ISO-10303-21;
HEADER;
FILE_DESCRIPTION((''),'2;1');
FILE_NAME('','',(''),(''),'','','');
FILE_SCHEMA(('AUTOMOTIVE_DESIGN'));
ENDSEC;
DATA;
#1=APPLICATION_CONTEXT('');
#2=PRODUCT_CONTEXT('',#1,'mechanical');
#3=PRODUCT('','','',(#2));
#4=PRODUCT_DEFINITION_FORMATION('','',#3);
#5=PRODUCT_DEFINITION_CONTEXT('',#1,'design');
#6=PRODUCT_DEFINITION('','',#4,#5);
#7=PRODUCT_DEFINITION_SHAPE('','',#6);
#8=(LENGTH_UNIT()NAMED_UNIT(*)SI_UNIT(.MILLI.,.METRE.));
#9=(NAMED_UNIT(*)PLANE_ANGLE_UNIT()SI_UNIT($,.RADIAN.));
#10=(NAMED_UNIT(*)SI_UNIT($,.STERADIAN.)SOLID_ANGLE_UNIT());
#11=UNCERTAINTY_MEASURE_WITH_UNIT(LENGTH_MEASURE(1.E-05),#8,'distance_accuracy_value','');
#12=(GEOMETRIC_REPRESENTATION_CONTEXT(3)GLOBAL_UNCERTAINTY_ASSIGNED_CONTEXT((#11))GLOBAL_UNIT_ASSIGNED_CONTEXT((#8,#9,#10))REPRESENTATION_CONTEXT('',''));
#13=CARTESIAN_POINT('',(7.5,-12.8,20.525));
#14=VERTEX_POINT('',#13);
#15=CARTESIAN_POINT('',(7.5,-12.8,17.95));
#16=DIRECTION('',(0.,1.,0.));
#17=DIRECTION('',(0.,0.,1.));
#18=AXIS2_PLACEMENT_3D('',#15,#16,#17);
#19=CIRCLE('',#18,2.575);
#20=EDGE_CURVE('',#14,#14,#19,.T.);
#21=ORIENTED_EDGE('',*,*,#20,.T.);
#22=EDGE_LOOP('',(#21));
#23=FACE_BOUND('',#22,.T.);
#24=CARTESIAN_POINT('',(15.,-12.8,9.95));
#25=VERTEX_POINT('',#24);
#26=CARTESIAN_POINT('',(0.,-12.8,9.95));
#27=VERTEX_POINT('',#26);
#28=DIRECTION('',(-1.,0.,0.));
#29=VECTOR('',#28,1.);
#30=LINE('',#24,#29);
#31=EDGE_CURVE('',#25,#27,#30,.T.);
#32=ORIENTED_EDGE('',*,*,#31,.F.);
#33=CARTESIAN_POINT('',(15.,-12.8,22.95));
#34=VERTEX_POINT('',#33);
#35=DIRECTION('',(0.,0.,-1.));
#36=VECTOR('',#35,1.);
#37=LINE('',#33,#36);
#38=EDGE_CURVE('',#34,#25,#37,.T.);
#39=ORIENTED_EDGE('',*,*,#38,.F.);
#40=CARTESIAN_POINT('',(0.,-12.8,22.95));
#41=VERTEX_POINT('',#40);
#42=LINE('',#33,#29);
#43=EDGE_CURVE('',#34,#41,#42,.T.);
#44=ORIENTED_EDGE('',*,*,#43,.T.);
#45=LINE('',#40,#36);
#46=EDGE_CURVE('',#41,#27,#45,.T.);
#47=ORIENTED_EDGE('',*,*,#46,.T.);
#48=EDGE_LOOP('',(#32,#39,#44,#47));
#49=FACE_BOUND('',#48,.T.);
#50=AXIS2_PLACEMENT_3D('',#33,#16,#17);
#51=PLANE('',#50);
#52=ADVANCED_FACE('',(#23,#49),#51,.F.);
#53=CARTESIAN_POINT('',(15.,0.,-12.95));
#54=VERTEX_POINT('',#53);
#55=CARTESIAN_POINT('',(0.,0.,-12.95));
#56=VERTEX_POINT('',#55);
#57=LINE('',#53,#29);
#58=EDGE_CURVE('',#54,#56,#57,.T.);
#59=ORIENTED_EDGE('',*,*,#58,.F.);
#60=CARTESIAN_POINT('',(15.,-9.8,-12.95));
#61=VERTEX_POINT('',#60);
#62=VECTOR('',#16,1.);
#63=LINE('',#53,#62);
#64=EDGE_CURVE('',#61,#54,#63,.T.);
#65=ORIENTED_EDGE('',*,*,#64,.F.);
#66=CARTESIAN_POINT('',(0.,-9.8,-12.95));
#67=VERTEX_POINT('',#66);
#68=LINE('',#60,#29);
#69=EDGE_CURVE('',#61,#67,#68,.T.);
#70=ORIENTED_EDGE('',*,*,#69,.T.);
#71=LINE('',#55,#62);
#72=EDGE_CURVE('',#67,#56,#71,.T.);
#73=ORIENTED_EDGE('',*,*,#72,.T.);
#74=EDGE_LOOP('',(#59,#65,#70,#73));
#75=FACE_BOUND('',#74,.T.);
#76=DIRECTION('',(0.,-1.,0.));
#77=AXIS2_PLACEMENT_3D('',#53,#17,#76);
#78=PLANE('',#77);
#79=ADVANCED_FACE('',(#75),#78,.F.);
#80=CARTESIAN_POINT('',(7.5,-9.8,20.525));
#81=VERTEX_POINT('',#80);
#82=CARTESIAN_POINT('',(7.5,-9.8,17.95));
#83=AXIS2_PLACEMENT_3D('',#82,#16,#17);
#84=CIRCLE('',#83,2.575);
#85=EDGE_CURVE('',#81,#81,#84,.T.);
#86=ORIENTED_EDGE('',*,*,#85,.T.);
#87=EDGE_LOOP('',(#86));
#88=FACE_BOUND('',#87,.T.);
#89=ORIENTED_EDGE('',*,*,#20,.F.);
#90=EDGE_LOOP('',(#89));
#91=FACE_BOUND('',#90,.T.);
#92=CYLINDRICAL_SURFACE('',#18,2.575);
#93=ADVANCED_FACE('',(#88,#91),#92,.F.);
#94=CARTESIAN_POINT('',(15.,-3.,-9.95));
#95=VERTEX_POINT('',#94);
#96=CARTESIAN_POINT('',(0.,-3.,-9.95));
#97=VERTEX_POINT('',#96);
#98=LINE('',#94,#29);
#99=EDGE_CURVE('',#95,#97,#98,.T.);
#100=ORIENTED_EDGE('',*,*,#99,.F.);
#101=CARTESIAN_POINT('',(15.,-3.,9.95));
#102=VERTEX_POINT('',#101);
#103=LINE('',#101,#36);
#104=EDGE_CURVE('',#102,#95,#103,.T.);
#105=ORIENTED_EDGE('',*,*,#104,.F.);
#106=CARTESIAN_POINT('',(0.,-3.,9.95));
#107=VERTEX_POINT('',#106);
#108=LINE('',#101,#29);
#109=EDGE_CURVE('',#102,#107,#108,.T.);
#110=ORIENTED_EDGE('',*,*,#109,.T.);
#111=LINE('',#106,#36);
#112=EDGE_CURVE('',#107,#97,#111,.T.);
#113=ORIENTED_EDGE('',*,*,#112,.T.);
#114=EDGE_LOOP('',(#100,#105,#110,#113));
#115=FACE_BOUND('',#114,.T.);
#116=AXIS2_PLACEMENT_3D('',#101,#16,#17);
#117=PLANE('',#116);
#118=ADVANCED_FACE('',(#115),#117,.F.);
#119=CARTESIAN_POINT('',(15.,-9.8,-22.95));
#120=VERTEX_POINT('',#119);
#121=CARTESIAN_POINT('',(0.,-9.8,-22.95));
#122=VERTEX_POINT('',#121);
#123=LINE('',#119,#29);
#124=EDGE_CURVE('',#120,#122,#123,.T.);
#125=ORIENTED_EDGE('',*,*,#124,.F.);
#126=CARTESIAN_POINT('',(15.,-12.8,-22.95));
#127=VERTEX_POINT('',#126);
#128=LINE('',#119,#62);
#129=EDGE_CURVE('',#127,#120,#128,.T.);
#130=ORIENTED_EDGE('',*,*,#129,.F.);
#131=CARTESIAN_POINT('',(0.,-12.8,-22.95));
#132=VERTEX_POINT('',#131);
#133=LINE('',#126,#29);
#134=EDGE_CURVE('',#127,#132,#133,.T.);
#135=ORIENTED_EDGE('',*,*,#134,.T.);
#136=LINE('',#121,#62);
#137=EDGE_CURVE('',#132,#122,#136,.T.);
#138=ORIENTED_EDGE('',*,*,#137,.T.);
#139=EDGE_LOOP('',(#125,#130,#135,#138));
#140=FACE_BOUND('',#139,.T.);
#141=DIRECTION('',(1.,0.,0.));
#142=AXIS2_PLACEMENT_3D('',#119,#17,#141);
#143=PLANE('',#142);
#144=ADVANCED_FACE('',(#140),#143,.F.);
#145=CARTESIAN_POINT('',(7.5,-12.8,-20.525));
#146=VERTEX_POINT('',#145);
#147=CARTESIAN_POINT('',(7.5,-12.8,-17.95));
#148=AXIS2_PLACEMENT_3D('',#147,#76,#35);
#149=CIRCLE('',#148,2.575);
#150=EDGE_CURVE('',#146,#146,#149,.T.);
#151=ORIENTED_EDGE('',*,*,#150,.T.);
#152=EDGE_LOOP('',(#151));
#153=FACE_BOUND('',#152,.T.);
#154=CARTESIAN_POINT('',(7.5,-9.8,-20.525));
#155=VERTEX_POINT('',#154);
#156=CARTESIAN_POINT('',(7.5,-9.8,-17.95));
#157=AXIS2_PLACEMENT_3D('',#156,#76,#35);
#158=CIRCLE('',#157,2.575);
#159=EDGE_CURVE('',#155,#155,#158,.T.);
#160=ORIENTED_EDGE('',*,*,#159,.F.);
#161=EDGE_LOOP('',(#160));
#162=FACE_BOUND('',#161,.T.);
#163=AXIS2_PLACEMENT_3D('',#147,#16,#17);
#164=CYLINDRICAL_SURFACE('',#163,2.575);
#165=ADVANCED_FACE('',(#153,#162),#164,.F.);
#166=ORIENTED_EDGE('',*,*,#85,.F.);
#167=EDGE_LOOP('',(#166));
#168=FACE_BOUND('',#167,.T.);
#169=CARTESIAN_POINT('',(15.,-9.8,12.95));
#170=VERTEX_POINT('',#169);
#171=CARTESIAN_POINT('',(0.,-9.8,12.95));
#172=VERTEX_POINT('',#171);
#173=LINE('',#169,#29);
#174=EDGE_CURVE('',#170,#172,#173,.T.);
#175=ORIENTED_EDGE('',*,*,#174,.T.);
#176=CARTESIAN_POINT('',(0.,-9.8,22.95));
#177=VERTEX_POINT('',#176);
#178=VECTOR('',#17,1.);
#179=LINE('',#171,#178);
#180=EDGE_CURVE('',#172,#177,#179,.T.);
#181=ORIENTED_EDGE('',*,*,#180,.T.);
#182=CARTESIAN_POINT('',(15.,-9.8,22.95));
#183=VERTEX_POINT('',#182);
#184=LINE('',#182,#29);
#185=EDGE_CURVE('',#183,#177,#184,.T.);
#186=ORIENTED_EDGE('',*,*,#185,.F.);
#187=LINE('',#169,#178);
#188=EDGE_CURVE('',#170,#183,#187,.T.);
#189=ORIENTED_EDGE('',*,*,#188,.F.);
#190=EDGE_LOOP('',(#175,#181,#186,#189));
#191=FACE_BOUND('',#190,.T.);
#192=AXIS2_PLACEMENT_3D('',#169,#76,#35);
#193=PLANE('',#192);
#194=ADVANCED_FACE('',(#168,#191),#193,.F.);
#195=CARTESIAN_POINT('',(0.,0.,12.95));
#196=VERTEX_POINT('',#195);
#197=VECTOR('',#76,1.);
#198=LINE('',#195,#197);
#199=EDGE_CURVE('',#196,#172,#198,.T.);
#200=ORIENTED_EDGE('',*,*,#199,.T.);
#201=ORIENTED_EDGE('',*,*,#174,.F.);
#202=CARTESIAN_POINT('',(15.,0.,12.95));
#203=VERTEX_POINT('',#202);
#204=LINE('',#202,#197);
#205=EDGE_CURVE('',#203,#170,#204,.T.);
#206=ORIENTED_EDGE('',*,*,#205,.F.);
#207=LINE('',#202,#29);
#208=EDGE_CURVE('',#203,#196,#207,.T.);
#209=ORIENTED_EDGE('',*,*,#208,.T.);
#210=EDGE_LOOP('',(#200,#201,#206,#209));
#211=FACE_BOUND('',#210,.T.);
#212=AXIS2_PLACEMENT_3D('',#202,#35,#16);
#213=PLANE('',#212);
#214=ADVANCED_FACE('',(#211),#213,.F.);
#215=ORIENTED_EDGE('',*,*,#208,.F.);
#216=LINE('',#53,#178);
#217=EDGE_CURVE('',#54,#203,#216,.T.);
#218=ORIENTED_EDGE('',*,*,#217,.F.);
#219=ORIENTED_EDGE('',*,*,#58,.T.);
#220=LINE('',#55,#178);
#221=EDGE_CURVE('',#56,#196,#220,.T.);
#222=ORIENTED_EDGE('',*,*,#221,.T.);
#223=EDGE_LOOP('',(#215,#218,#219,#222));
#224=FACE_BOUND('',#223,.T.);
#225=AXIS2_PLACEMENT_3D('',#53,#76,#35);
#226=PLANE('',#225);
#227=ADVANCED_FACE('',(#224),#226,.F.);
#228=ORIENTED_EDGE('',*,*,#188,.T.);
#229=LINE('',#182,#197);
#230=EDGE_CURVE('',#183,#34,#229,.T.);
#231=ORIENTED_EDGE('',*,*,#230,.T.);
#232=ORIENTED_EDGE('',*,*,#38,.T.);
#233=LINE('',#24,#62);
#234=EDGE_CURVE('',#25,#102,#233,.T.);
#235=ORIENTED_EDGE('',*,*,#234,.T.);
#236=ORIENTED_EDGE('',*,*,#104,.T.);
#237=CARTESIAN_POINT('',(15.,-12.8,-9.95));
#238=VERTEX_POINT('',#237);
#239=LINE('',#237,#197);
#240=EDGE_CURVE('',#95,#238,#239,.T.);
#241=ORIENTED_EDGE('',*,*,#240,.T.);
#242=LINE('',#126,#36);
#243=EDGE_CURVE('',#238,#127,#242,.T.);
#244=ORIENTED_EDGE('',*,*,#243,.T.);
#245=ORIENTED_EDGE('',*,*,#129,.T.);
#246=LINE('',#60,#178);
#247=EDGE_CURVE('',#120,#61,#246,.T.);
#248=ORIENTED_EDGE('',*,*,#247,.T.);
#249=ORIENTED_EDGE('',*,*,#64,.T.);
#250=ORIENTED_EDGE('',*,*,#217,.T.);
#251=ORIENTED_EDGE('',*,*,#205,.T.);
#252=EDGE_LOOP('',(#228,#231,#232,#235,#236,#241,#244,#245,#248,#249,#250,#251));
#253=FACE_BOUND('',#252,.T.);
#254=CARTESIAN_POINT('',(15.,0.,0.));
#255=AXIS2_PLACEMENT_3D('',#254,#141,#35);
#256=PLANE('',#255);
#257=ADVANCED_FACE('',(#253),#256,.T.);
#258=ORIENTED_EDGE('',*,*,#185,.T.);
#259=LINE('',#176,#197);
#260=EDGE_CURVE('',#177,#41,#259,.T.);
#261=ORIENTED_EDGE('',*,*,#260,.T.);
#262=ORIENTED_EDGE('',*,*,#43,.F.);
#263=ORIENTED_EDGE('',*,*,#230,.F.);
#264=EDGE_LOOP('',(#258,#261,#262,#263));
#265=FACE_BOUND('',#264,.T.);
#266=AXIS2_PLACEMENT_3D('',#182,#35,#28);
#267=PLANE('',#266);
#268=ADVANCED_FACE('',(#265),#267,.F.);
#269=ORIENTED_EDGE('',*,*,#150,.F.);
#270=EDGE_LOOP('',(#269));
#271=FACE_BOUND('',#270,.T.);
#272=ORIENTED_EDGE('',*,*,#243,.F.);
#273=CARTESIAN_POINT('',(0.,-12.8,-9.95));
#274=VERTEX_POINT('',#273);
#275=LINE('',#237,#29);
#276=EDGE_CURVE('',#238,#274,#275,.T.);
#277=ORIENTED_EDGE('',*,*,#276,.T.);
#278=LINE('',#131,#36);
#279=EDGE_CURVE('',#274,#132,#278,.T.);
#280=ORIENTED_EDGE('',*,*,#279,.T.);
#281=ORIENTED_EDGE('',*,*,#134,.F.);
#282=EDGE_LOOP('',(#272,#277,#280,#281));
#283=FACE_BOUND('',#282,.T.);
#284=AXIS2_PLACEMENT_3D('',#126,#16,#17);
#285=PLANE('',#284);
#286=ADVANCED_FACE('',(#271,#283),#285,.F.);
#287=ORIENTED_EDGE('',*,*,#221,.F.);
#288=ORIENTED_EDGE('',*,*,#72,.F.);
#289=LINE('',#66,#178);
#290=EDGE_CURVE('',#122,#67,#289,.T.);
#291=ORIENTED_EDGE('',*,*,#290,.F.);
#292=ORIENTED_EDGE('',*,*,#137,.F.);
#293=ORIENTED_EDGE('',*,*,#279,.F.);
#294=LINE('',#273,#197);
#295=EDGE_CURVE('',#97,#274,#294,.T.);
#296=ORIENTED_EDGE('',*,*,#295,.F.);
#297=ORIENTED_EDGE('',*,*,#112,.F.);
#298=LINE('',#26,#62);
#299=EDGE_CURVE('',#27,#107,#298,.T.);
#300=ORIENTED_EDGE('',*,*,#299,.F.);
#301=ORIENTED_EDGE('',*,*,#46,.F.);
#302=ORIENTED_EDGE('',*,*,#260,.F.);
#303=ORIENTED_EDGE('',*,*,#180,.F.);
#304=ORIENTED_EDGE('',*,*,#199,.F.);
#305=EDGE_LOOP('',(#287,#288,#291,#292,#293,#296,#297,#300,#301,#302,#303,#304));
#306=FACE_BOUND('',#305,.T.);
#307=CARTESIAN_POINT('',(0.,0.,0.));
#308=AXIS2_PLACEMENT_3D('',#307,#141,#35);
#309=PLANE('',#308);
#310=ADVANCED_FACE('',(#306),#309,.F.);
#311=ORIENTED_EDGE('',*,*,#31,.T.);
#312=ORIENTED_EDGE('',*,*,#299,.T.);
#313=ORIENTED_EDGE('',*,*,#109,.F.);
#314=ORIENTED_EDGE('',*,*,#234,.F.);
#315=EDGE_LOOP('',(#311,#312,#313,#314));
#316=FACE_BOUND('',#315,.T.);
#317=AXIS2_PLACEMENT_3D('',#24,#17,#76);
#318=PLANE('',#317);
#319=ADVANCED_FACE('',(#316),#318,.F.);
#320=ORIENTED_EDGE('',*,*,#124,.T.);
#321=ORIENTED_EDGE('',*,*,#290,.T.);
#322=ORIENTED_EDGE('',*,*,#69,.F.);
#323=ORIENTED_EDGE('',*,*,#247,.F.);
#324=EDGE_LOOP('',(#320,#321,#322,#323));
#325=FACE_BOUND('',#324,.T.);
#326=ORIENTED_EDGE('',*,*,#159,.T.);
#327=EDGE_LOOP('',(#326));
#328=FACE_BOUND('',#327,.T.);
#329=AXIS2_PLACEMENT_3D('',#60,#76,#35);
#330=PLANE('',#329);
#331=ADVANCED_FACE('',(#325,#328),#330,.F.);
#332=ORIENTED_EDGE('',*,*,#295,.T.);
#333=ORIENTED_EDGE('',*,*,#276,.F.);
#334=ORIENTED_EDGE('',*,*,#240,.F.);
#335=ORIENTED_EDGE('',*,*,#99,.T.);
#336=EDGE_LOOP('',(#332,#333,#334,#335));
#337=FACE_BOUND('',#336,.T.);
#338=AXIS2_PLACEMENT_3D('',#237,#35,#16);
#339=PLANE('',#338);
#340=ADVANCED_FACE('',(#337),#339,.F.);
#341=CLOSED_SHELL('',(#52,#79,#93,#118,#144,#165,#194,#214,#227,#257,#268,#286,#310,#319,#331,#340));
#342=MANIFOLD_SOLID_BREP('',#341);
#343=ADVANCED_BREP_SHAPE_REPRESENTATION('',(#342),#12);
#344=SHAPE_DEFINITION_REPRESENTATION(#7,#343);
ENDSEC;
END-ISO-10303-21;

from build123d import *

# Parameters (mm, degrees)
SALIENTE_EXTRUIR1_DEPTH = 15
CROQUIS5_R              = 2.575
CORTAR_EXTRUIR1_DEPTH   = 4


with BuildPart() as part:
    # Croquis2 → Saliente-Extruir1 (new body)
    with BuildSketch(Plane(origin=(0, 0, 0), x_dir=(0, 0, -1), z_dir=(1, 0, 0))):
        Polygon((-22.95, -12.8), (-9.95, -12.8), (-9.95, -3), (9.95, -3), (9.95, -12.8), (22.95, -12.8), (22.95, -9.8), (12.95, -9.8), (12.95, 0), (-12.95, 0), (-12.95, -9.8), (-22.95, -9.8), align=None)
    extrude(amount=SALIENTE_EXTRUIR1_DEPTH)

    # Croquis5 → Cortar-Extruir1 (cut, through all)
    with BuildSketch(Plane(origin=(0, -9.8, 0), x_dir=(1, 0, 0), z_dir=(0, 1, 0))):
        with Locations((7.5, -17.95)):
            Circle(CROQUIS5_R)
    cortar_extruir1 = extrude(amount=-CORTAR_EXTRUIR1_DEPTH, mode=Mode.SUBTRACT)

    # Simetría1: Cortar-Extruir1 across plane
    add(cortar_extruir1.mirror(Plane.XY), mode=Mode.SUBTRACT)


solid = part.part
